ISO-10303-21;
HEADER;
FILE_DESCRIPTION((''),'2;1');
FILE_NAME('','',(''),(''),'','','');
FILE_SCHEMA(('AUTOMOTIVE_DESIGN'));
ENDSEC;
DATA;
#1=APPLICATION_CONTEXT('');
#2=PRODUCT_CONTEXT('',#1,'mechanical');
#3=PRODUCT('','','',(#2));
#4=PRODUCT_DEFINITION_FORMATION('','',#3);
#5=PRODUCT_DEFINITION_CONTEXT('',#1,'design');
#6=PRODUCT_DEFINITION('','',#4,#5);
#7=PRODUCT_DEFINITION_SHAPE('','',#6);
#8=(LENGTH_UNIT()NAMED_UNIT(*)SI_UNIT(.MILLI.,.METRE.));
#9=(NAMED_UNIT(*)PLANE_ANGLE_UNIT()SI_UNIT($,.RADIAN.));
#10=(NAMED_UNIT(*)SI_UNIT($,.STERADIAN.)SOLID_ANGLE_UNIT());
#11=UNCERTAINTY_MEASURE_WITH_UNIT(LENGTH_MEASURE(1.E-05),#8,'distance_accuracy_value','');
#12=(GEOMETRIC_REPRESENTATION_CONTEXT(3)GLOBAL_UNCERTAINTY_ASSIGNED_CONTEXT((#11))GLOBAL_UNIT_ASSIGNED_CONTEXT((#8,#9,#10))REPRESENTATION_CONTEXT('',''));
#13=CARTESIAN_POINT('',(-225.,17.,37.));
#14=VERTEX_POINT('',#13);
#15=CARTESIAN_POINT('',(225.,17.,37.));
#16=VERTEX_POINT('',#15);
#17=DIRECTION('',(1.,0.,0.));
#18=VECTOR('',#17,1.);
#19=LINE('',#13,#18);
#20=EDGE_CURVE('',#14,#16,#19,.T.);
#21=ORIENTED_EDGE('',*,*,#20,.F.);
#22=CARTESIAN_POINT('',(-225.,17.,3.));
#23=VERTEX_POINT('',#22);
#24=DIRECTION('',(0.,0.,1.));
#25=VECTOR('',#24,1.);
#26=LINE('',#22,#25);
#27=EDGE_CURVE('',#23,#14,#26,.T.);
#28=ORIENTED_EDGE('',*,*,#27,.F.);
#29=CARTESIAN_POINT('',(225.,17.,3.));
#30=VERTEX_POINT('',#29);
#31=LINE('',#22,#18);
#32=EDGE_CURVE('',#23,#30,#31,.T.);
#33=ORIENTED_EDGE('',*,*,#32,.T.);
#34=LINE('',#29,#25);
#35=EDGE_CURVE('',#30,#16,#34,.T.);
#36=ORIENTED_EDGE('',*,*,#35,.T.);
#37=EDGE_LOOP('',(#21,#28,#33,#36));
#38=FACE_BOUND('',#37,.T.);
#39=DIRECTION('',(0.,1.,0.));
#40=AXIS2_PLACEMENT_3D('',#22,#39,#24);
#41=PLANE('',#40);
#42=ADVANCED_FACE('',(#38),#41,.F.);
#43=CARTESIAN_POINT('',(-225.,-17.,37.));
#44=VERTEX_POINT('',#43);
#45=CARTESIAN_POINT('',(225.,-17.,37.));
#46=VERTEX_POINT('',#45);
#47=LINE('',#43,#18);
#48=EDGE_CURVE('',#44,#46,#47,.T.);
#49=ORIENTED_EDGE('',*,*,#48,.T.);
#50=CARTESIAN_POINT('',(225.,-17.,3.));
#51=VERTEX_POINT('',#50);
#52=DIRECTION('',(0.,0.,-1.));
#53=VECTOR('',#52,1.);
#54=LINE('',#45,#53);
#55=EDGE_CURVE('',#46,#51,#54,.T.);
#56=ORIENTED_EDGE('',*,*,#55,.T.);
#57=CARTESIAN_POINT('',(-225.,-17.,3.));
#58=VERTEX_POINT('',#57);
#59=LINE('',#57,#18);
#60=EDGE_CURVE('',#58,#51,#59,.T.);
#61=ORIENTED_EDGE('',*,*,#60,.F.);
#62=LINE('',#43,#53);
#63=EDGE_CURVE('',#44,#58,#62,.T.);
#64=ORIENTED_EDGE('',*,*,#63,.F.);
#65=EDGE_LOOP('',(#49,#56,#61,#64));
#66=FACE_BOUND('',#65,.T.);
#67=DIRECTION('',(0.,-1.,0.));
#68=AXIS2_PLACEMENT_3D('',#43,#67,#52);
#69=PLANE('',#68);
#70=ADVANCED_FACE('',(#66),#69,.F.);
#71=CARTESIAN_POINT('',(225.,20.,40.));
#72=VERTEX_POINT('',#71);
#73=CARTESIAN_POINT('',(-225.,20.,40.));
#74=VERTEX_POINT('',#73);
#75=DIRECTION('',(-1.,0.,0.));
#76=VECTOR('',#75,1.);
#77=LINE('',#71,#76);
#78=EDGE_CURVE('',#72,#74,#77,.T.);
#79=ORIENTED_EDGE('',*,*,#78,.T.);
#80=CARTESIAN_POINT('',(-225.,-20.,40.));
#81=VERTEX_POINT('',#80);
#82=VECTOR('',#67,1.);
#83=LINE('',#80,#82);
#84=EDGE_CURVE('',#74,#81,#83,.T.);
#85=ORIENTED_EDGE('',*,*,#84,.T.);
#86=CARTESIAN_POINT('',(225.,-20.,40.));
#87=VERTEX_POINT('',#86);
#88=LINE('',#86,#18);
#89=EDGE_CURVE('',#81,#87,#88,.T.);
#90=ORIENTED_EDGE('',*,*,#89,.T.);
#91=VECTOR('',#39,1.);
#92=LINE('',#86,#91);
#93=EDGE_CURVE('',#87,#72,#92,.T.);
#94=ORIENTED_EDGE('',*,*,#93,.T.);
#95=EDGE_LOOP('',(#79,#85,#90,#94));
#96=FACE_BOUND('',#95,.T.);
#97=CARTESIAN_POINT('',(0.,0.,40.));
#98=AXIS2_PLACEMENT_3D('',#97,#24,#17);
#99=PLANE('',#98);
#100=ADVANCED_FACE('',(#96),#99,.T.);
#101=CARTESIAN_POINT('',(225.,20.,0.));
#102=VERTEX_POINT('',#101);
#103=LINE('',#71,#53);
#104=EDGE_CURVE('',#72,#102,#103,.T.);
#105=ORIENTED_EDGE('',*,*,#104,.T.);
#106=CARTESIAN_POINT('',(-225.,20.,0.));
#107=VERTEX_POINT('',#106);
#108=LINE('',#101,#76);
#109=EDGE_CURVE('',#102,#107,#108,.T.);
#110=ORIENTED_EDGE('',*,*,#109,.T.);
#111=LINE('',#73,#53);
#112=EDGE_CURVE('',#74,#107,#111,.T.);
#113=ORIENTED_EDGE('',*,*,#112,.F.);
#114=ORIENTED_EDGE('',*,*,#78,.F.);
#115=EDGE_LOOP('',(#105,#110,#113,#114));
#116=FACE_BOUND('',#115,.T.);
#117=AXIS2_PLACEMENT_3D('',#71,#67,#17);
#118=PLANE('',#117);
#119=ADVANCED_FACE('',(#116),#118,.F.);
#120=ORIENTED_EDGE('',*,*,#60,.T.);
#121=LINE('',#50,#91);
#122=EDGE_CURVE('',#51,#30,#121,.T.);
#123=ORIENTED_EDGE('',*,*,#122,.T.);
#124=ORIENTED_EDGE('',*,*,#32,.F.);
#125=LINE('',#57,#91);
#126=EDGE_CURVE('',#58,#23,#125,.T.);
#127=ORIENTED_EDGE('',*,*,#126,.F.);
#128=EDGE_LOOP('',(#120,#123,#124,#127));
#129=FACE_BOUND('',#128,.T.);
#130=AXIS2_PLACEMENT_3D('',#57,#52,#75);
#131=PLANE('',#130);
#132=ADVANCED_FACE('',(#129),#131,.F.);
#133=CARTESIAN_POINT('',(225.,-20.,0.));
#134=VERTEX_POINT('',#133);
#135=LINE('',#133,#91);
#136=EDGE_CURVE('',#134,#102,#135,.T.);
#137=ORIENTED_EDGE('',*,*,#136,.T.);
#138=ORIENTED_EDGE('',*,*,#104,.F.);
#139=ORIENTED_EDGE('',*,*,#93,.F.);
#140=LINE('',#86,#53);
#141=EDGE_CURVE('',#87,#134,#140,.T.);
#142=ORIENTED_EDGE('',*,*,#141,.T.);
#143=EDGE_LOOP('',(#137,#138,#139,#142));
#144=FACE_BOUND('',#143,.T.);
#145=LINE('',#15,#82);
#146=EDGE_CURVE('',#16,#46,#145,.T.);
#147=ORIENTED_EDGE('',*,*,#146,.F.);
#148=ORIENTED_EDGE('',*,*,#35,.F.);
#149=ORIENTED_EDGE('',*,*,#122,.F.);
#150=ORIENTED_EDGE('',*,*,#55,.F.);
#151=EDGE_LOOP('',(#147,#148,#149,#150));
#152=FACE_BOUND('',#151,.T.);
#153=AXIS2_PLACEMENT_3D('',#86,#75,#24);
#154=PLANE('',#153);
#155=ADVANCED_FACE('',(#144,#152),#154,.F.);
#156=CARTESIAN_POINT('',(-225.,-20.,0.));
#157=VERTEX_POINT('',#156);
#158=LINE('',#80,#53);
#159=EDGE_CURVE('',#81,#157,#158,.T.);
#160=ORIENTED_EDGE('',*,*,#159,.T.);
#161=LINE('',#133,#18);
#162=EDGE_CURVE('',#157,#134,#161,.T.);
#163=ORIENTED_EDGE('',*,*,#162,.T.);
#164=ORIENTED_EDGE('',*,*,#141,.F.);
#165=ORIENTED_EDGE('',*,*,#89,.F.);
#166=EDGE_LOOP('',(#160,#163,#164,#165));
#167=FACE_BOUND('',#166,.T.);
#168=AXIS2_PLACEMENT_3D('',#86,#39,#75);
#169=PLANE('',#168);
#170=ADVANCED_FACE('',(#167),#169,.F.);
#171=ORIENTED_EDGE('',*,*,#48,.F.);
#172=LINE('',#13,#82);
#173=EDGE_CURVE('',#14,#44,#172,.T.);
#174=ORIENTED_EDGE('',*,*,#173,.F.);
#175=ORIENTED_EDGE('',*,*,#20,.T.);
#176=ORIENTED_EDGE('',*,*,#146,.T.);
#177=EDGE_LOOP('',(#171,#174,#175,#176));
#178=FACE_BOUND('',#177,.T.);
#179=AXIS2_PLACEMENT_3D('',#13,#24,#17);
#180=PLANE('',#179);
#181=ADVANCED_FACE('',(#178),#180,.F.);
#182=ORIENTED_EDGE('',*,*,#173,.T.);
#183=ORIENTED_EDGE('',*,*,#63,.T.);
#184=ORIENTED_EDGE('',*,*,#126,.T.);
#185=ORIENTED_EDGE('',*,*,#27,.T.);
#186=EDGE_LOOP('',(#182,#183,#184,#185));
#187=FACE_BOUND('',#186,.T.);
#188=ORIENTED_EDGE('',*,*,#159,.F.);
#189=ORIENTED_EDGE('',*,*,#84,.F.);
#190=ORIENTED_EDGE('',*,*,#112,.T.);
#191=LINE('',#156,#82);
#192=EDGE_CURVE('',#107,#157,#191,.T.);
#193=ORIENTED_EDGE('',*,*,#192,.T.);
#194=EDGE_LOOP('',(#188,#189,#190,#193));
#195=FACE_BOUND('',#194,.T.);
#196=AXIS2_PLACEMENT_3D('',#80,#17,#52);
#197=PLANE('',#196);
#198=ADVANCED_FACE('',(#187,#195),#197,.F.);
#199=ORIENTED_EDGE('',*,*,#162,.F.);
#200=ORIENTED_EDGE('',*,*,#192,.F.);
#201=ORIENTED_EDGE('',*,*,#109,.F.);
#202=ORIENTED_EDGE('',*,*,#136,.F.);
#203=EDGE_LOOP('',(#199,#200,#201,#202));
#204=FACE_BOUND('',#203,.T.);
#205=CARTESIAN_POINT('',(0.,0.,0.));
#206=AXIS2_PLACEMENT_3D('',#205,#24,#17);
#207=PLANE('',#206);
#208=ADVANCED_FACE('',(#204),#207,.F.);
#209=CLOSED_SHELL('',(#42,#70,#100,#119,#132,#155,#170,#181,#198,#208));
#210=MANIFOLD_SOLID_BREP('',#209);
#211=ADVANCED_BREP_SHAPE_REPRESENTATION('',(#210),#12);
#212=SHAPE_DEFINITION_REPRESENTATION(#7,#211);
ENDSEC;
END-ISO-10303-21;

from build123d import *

# Parameters (mm, degrees)
SKETCH1_W           = 450
SKETCH1_H           = 40
BOSS_EXTRUDE1_DEPTH = 40
SKETCH2_W           = 34
SKETCH2_H           = 34
CUT_EXTRUDE1_DEPTH  = 451


with BuildPart() as part:
    # Sketch1 → Boss-Extrude1 (new body)
    with BuildSketch(Plane.XY):
        Rectangle(SKETCH1_W, SKETCH1_H)
    extrude(amount=BOSS_EXTRUDE1_DEPTH)

    # Sketch2 → Cut-Extrude1 (cut, through all)
    with BuildSketch(Plane(origin=(225, 0, 0), x_dir=(0, 0, -1), z_dir=(1, 0, 0))):
        with Locations((-20, 0)):
            Rectangle(SKETCH2_W, SKETCH2_H)
    extrude(amount=-CUT_EXTRUDE1_DEPTH, mode=Mode.SUBTRACT)


solid = part.part
